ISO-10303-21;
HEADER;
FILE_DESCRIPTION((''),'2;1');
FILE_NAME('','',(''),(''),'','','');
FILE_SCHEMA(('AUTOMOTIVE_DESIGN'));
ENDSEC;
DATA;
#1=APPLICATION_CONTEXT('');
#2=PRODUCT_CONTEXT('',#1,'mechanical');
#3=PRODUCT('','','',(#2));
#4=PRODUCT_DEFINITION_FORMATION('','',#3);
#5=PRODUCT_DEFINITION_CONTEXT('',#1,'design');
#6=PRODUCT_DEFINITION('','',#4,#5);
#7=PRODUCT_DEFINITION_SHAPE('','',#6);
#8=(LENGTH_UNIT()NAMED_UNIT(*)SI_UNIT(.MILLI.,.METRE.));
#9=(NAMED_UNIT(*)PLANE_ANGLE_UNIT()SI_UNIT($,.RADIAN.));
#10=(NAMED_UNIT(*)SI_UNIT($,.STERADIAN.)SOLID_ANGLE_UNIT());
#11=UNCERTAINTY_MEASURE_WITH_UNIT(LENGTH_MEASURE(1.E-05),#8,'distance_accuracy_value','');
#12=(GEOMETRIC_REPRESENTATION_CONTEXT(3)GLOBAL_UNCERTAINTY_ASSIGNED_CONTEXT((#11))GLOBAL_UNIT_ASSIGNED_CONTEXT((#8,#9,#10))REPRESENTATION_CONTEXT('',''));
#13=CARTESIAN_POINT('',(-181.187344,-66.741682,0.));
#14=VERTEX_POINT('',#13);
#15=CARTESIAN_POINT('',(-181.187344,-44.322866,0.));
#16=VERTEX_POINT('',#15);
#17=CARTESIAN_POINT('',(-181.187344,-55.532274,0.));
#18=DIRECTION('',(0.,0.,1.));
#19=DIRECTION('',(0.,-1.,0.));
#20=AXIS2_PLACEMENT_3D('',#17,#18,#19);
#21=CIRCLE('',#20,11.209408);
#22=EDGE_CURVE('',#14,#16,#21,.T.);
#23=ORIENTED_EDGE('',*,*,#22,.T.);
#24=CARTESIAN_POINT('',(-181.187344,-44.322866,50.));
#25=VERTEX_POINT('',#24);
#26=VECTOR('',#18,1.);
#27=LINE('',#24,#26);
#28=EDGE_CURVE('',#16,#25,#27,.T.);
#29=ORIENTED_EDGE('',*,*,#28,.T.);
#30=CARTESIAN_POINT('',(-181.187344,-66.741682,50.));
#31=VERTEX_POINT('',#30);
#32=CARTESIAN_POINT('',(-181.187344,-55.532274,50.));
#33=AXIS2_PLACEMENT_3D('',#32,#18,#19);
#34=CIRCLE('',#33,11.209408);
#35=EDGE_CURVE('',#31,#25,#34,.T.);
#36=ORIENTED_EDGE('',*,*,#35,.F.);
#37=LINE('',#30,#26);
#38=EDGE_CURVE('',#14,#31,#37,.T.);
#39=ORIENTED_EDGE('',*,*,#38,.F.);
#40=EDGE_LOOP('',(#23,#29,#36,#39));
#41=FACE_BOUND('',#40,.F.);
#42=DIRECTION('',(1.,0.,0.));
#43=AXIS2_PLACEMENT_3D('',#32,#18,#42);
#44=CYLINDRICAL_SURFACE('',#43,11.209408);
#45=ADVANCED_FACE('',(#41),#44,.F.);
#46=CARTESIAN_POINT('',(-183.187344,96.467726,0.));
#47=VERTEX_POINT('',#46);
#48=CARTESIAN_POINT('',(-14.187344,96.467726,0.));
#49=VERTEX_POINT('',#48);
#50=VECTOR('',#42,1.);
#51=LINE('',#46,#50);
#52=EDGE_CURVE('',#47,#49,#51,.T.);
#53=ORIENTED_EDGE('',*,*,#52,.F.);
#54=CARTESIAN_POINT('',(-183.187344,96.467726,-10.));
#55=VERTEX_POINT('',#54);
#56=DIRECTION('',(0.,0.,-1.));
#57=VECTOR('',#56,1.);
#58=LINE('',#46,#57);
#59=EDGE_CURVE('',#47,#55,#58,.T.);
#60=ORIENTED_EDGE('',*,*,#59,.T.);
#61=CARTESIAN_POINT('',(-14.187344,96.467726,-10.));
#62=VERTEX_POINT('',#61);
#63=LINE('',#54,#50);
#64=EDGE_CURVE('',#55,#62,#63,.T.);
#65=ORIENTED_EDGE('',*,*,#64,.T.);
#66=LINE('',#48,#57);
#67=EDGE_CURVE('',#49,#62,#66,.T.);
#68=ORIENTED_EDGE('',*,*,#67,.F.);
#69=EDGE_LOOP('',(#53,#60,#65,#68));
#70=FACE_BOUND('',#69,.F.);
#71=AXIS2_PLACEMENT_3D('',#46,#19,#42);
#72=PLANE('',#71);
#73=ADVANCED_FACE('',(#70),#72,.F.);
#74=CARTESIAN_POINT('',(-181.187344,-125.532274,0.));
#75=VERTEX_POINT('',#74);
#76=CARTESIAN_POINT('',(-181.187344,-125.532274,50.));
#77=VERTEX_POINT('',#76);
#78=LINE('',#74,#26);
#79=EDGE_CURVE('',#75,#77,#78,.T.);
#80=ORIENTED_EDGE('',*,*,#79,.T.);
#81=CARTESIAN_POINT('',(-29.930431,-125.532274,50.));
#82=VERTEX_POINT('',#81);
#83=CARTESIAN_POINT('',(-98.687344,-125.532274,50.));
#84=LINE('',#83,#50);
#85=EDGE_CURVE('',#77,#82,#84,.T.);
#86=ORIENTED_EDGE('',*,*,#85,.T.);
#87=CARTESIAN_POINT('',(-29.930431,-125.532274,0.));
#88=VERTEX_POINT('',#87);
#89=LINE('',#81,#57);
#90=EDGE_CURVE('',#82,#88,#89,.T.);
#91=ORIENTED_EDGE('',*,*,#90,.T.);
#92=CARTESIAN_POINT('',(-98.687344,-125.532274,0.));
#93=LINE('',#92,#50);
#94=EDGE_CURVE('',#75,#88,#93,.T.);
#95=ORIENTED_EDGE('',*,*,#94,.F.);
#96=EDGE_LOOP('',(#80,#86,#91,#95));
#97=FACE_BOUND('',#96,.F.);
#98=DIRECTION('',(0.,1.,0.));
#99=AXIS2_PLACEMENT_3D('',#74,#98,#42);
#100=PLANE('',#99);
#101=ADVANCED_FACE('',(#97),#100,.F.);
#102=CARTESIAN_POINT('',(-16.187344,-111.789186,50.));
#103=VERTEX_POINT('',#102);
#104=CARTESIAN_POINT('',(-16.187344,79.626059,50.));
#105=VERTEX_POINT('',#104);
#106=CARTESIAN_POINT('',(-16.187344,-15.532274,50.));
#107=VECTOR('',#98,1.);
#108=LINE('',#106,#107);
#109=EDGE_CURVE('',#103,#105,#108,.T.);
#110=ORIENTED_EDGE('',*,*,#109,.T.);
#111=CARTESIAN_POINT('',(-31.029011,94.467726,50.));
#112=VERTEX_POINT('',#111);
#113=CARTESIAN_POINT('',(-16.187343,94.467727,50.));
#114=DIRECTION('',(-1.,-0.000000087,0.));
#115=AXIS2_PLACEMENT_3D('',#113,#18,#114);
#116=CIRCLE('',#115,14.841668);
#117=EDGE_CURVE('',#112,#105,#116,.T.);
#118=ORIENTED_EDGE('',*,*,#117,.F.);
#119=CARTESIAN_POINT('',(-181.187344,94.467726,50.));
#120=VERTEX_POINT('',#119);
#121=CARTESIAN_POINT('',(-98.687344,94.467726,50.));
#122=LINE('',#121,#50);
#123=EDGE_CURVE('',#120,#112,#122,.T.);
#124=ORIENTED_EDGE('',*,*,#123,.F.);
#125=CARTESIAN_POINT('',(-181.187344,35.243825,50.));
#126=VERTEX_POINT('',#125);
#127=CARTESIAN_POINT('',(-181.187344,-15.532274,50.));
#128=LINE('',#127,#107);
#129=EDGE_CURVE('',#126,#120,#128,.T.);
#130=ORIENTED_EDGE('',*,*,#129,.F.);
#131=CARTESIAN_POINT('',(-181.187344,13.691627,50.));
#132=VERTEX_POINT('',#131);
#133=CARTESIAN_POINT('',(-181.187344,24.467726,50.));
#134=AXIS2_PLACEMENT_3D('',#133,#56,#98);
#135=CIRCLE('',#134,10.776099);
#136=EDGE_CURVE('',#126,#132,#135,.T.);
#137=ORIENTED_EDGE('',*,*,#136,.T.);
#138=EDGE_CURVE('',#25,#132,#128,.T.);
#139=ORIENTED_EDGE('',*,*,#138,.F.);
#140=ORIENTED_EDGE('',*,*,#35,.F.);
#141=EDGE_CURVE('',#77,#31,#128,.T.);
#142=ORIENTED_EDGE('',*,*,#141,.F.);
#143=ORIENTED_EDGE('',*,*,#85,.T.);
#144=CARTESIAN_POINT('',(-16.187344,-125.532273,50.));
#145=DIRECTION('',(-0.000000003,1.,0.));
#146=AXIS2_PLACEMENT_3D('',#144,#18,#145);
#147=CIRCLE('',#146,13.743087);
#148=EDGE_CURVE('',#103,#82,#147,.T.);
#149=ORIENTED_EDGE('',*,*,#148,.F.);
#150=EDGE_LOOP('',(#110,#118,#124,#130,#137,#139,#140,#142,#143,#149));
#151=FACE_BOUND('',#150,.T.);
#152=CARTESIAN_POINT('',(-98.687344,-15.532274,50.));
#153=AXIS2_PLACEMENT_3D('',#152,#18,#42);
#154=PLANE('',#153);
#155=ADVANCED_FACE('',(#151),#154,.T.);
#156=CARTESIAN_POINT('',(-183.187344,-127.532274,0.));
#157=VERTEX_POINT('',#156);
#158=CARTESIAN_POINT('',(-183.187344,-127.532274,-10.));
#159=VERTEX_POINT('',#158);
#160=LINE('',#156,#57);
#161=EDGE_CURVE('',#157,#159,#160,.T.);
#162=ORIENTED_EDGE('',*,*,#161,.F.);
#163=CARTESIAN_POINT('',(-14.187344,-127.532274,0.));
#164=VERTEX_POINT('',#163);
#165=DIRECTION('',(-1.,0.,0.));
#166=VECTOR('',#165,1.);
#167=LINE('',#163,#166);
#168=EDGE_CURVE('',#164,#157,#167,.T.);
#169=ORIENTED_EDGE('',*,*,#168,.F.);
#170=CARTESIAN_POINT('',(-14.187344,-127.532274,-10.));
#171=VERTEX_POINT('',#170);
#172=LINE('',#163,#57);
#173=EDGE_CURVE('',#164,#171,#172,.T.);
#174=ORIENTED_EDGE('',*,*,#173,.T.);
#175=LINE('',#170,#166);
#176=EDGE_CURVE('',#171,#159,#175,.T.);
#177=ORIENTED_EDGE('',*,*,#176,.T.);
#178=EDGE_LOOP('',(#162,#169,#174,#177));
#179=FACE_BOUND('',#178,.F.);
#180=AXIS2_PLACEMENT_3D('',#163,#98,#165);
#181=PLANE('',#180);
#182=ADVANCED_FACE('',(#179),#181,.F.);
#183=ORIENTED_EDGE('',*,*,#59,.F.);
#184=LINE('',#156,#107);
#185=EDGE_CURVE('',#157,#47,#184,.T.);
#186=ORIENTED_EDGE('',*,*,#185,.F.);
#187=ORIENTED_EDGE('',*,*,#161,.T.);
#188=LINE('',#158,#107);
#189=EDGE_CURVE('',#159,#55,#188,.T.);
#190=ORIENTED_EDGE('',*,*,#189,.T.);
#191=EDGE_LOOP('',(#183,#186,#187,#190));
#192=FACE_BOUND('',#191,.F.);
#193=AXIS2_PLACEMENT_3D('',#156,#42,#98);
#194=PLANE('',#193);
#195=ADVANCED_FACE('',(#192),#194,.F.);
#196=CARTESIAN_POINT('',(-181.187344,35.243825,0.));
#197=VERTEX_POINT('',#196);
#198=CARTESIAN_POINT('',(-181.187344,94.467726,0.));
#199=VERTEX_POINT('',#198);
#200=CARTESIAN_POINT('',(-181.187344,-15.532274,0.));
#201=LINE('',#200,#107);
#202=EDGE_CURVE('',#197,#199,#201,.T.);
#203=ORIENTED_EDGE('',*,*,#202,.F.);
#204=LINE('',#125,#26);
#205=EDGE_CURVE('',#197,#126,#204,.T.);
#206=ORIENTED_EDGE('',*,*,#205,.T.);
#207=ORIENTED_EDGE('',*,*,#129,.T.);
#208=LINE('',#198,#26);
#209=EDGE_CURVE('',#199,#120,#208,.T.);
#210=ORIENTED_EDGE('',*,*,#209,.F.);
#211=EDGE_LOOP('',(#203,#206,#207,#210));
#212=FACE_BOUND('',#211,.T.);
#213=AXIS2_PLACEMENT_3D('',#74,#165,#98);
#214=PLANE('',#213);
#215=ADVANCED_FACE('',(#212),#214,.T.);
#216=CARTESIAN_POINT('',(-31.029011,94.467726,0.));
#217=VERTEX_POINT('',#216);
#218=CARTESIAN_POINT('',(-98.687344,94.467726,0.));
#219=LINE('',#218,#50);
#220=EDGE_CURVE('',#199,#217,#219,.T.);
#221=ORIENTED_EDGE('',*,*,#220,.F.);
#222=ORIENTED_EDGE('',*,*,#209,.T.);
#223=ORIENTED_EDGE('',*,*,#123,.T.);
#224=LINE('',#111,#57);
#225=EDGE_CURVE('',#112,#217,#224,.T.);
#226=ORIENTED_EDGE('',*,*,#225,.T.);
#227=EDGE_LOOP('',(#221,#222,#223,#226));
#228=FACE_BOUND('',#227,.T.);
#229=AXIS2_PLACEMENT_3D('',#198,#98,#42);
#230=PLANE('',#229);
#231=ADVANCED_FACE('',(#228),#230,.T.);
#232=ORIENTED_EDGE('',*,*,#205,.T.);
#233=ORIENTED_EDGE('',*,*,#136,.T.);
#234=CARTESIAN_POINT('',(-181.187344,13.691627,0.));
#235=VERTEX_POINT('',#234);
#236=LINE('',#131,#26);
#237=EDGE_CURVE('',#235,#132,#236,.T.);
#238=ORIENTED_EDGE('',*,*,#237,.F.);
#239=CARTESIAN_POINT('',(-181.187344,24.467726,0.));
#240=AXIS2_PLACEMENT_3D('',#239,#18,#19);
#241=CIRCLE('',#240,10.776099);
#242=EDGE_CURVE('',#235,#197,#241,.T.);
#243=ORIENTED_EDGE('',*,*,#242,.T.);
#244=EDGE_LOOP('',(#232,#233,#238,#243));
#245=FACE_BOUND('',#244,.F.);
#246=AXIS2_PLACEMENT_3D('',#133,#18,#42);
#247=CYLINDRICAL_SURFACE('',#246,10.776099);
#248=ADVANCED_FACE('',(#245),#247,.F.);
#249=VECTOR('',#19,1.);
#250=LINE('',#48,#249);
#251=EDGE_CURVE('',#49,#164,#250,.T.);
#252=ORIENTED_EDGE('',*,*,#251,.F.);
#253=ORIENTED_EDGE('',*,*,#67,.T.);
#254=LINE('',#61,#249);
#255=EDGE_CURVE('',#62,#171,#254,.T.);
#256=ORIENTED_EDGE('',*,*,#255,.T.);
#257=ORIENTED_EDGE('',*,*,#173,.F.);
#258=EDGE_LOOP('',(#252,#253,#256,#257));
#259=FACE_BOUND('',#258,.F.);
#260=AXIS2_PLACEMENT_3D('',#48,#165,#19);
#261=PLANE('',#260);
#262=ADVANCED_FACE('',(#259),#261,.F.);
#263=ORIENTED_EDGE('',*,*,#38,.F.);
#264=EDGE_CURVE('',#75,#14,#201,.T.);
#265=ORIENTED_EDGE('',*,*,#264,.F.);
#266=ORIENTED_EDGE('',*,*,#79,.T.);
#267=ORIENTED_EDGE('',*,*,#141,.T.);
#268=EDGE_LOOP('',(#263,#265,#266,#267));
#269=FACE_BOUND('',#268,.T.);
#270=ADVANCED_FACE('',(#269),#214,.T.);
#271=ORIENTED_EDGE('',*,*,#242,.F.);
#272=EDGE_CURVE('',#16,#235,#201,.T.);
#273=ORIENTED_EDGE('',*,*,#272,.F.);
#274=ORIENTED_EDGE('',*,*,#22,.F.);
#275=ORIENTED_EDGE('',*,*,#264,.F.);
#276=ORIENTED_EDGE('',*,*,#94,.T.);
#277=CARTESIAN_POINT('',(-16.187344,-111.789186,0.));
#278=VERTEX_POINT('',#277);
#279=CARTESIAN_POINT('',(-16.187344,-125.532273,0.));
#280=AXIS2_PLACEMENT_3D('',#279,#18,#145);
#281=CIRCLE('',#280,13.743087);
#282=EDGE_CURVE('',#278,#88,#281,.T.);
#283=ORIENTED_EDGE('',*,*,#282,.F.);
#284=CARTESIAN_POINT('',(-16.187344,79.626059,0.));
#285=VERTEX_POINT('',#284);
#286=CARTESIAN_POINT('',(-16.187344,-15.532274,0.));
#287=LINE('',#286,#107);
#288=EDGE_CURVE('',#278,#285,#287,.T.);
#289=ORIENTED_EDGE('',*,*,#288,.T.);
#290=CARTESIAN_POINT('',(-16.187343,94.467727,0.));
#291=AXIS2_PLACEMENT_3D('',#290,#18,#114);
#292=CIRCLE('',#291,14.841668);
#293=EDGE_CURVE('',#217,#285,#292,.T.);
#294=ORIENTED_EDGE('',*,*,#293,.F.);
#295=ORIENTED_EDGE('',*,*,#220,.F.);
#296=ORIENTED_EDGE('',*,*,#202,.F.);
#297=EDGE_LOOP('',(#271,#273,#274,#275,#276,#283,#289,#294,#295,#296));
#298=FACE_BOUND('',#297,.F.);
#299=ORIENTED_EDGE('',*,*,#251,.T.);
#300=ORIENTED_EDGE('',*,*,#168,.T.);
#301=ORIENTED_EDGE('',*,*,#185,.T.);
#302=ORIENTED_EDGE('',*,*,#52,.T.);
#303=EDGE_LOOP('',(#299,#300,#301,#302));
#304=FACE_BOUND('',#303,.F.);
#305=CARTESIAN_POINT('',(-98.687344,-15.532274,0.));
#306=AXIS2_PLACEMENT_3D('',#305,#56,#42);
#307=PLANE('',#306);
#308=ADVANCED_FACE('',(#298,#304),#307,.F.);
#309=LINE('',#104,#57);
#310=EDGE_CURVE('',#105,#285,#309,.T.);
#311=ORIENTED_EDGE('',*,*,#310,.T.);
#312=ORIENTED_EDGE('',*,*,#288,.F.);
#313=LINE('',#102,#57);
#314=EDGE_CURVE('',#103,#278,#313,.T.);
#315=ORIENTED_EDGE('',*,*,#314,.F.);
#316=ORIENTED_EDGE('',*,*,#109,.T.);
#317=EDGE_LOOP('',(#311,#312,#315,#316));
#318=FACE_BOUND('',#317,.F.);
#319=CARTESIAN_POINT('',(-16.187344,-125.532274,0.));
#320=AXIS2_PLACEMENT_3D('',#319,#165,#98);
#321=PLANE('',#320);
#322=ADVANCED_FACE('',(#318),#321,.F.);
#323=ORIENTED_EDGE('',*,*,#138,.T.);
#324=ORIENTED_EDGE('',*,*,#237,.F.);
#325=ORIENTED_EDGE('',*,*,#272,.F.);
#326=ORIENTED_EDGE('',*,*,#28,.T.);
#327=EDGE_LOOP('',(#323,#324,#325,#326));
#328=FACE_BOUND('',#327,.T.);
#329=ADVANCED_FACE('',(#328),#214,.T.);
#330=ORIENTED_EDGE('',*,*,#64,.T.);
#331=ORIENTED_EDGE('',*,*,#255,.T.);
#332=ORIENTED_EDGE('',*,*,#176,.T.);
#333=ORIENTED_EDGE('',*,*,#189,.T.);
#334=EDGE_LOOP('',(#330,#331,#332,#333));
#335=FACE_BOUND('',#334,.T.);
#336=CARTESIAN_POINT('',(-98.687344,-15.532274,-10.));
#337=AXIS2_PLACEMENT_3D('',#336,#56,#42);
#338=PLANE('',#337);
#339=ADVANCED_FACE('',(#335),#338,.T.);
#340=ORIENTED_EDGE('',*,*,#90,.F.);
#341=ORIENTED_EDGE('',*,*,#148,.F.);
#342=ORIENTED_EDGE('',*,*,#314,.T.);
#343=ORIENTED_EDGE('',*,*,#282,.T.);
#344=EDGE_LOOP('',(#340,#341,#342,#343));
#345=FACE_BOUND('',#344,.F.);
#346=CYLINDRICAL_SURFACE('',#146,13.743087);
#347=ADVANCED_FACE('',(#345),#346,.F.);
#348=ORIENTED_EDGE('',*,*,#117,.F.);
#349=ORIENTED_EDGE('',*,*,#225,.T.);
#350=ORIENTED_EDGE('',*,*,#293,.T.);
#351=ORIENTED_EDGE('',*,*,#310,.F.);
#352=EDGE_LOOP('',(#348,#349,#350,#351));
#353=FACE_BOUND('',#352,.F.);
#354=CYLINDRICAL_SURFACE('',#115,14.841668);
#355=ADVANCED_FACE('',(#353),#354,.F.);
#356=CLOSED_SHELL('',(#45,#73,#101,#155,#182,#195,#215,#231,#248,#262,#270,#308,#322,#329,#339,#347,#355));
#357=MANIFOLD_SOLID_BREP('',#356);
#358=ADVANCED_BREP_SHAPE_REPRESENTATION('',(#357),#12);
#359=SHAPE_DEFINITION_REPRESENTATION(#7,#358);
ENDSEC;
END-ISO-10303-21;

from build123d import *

# Parameters (mm, degrees)
F0_W     = 165
F0_H     = 220
F1_DEPTH = 50
F3_DEPTH = 50
F4_R     = 10.776099
F4_R_2   = 11.209408
F5_DEPTH = 50
F7_DEPTH = 10


with BuildPart() as f1:
    # F0 (on Top) → F1 (new body)
    with BuildSketch(Plane.XY):
        with Locations((-98.687344, -15.532274)):
            Rectangle(F0_W, F0_H)
    extrude(amount=F1_DEPTH)

    # F2 (on face) → F3 (cut)
    with BuildSketch(Plane.XY.offset(50)):
        with BuildLine():
            Line((-16.187344, -125.532274), (-16.187344, -111.789186))
            ThreePointArc((-16.187344, -111.789186), (-25.905174, -115.814443), (-29.930431, -125.532274))
            Line((-29.930431, -125.532274), (-16.187344, -125.532274))
        make_face()
        with BuildLine():
            Line((-16.187344, 94.467726), (-31.029011, 94.467726))
            ThreePointArc((-31.029011, 94.467726), (-26.681987, 83.973083), (-16.187344, 79.626059))
            Line((-16.187344, 79.626059), (-16.187344, 94.467726))
        make_face()
        with BuildLine():
            ThreePointArc((-2.444256, -125.532274), (-6.469513, -115.814443), (-16.187344, -111.789186))
            Line((-16.187344, -111.789186), (-16.187344, -125.532274))
            Line((-16.187344, -125.532274), (-29.930431, -125.532274))
            ThreePointArc((-29.930431, -125.532274), (-16.187344, -139.275361), (-2.444256, -125.532274))
        make_face()
        with BuildLine():
            ThreePointArc((-16.187344, 79.626059), (-5.6927, 83.973083), (-1.345676, 94.467726))
            ThreePointArc((-1.345676, 94.467726), (-16.187344, 109.309394), (-31.029011, 94.467726))
            Line((-31.029011, 94.467726), (-16.187344, 94.467726))
            Line((-16.187344, 94.467726), (-16.187344, 79.626059))
        make_face()
    extrude(amount=-F3_DEPTH, mode=Mode.SUBTRACT)

    # F4 (on face) → F5 (cut)
    with BuildSketch(Plane.XY.offset(50)):
        with Locations((-181.187344, 24.467726)):
            Circle(F4_R)
        with Locations((-181.187344, -55.532274)):
            Circle(F4_R_2)
    extrude(amount=-F5_DEPTH, mode=Mode.SUBTRACT)

    # F6 (on face) → F7 (join)
    with BuildSketch(Plane(origin=(0, 0, 0), x_dir=(1, 0, 0), z_dir=(0, 0, -1))):
        Polygon((-14.187344, 127.532274), (-181.187344, 127.532274), (-183.187344, 127.532274), (-183.187344, 125.532274), (-183.187344, -96.467726), (-159.191355, -96.467726), (-14.187344, -96.467726), (-14.187344, -65.397188), align=None)
    extrude(amount=F7_DEPTH)


solid = f1.part
